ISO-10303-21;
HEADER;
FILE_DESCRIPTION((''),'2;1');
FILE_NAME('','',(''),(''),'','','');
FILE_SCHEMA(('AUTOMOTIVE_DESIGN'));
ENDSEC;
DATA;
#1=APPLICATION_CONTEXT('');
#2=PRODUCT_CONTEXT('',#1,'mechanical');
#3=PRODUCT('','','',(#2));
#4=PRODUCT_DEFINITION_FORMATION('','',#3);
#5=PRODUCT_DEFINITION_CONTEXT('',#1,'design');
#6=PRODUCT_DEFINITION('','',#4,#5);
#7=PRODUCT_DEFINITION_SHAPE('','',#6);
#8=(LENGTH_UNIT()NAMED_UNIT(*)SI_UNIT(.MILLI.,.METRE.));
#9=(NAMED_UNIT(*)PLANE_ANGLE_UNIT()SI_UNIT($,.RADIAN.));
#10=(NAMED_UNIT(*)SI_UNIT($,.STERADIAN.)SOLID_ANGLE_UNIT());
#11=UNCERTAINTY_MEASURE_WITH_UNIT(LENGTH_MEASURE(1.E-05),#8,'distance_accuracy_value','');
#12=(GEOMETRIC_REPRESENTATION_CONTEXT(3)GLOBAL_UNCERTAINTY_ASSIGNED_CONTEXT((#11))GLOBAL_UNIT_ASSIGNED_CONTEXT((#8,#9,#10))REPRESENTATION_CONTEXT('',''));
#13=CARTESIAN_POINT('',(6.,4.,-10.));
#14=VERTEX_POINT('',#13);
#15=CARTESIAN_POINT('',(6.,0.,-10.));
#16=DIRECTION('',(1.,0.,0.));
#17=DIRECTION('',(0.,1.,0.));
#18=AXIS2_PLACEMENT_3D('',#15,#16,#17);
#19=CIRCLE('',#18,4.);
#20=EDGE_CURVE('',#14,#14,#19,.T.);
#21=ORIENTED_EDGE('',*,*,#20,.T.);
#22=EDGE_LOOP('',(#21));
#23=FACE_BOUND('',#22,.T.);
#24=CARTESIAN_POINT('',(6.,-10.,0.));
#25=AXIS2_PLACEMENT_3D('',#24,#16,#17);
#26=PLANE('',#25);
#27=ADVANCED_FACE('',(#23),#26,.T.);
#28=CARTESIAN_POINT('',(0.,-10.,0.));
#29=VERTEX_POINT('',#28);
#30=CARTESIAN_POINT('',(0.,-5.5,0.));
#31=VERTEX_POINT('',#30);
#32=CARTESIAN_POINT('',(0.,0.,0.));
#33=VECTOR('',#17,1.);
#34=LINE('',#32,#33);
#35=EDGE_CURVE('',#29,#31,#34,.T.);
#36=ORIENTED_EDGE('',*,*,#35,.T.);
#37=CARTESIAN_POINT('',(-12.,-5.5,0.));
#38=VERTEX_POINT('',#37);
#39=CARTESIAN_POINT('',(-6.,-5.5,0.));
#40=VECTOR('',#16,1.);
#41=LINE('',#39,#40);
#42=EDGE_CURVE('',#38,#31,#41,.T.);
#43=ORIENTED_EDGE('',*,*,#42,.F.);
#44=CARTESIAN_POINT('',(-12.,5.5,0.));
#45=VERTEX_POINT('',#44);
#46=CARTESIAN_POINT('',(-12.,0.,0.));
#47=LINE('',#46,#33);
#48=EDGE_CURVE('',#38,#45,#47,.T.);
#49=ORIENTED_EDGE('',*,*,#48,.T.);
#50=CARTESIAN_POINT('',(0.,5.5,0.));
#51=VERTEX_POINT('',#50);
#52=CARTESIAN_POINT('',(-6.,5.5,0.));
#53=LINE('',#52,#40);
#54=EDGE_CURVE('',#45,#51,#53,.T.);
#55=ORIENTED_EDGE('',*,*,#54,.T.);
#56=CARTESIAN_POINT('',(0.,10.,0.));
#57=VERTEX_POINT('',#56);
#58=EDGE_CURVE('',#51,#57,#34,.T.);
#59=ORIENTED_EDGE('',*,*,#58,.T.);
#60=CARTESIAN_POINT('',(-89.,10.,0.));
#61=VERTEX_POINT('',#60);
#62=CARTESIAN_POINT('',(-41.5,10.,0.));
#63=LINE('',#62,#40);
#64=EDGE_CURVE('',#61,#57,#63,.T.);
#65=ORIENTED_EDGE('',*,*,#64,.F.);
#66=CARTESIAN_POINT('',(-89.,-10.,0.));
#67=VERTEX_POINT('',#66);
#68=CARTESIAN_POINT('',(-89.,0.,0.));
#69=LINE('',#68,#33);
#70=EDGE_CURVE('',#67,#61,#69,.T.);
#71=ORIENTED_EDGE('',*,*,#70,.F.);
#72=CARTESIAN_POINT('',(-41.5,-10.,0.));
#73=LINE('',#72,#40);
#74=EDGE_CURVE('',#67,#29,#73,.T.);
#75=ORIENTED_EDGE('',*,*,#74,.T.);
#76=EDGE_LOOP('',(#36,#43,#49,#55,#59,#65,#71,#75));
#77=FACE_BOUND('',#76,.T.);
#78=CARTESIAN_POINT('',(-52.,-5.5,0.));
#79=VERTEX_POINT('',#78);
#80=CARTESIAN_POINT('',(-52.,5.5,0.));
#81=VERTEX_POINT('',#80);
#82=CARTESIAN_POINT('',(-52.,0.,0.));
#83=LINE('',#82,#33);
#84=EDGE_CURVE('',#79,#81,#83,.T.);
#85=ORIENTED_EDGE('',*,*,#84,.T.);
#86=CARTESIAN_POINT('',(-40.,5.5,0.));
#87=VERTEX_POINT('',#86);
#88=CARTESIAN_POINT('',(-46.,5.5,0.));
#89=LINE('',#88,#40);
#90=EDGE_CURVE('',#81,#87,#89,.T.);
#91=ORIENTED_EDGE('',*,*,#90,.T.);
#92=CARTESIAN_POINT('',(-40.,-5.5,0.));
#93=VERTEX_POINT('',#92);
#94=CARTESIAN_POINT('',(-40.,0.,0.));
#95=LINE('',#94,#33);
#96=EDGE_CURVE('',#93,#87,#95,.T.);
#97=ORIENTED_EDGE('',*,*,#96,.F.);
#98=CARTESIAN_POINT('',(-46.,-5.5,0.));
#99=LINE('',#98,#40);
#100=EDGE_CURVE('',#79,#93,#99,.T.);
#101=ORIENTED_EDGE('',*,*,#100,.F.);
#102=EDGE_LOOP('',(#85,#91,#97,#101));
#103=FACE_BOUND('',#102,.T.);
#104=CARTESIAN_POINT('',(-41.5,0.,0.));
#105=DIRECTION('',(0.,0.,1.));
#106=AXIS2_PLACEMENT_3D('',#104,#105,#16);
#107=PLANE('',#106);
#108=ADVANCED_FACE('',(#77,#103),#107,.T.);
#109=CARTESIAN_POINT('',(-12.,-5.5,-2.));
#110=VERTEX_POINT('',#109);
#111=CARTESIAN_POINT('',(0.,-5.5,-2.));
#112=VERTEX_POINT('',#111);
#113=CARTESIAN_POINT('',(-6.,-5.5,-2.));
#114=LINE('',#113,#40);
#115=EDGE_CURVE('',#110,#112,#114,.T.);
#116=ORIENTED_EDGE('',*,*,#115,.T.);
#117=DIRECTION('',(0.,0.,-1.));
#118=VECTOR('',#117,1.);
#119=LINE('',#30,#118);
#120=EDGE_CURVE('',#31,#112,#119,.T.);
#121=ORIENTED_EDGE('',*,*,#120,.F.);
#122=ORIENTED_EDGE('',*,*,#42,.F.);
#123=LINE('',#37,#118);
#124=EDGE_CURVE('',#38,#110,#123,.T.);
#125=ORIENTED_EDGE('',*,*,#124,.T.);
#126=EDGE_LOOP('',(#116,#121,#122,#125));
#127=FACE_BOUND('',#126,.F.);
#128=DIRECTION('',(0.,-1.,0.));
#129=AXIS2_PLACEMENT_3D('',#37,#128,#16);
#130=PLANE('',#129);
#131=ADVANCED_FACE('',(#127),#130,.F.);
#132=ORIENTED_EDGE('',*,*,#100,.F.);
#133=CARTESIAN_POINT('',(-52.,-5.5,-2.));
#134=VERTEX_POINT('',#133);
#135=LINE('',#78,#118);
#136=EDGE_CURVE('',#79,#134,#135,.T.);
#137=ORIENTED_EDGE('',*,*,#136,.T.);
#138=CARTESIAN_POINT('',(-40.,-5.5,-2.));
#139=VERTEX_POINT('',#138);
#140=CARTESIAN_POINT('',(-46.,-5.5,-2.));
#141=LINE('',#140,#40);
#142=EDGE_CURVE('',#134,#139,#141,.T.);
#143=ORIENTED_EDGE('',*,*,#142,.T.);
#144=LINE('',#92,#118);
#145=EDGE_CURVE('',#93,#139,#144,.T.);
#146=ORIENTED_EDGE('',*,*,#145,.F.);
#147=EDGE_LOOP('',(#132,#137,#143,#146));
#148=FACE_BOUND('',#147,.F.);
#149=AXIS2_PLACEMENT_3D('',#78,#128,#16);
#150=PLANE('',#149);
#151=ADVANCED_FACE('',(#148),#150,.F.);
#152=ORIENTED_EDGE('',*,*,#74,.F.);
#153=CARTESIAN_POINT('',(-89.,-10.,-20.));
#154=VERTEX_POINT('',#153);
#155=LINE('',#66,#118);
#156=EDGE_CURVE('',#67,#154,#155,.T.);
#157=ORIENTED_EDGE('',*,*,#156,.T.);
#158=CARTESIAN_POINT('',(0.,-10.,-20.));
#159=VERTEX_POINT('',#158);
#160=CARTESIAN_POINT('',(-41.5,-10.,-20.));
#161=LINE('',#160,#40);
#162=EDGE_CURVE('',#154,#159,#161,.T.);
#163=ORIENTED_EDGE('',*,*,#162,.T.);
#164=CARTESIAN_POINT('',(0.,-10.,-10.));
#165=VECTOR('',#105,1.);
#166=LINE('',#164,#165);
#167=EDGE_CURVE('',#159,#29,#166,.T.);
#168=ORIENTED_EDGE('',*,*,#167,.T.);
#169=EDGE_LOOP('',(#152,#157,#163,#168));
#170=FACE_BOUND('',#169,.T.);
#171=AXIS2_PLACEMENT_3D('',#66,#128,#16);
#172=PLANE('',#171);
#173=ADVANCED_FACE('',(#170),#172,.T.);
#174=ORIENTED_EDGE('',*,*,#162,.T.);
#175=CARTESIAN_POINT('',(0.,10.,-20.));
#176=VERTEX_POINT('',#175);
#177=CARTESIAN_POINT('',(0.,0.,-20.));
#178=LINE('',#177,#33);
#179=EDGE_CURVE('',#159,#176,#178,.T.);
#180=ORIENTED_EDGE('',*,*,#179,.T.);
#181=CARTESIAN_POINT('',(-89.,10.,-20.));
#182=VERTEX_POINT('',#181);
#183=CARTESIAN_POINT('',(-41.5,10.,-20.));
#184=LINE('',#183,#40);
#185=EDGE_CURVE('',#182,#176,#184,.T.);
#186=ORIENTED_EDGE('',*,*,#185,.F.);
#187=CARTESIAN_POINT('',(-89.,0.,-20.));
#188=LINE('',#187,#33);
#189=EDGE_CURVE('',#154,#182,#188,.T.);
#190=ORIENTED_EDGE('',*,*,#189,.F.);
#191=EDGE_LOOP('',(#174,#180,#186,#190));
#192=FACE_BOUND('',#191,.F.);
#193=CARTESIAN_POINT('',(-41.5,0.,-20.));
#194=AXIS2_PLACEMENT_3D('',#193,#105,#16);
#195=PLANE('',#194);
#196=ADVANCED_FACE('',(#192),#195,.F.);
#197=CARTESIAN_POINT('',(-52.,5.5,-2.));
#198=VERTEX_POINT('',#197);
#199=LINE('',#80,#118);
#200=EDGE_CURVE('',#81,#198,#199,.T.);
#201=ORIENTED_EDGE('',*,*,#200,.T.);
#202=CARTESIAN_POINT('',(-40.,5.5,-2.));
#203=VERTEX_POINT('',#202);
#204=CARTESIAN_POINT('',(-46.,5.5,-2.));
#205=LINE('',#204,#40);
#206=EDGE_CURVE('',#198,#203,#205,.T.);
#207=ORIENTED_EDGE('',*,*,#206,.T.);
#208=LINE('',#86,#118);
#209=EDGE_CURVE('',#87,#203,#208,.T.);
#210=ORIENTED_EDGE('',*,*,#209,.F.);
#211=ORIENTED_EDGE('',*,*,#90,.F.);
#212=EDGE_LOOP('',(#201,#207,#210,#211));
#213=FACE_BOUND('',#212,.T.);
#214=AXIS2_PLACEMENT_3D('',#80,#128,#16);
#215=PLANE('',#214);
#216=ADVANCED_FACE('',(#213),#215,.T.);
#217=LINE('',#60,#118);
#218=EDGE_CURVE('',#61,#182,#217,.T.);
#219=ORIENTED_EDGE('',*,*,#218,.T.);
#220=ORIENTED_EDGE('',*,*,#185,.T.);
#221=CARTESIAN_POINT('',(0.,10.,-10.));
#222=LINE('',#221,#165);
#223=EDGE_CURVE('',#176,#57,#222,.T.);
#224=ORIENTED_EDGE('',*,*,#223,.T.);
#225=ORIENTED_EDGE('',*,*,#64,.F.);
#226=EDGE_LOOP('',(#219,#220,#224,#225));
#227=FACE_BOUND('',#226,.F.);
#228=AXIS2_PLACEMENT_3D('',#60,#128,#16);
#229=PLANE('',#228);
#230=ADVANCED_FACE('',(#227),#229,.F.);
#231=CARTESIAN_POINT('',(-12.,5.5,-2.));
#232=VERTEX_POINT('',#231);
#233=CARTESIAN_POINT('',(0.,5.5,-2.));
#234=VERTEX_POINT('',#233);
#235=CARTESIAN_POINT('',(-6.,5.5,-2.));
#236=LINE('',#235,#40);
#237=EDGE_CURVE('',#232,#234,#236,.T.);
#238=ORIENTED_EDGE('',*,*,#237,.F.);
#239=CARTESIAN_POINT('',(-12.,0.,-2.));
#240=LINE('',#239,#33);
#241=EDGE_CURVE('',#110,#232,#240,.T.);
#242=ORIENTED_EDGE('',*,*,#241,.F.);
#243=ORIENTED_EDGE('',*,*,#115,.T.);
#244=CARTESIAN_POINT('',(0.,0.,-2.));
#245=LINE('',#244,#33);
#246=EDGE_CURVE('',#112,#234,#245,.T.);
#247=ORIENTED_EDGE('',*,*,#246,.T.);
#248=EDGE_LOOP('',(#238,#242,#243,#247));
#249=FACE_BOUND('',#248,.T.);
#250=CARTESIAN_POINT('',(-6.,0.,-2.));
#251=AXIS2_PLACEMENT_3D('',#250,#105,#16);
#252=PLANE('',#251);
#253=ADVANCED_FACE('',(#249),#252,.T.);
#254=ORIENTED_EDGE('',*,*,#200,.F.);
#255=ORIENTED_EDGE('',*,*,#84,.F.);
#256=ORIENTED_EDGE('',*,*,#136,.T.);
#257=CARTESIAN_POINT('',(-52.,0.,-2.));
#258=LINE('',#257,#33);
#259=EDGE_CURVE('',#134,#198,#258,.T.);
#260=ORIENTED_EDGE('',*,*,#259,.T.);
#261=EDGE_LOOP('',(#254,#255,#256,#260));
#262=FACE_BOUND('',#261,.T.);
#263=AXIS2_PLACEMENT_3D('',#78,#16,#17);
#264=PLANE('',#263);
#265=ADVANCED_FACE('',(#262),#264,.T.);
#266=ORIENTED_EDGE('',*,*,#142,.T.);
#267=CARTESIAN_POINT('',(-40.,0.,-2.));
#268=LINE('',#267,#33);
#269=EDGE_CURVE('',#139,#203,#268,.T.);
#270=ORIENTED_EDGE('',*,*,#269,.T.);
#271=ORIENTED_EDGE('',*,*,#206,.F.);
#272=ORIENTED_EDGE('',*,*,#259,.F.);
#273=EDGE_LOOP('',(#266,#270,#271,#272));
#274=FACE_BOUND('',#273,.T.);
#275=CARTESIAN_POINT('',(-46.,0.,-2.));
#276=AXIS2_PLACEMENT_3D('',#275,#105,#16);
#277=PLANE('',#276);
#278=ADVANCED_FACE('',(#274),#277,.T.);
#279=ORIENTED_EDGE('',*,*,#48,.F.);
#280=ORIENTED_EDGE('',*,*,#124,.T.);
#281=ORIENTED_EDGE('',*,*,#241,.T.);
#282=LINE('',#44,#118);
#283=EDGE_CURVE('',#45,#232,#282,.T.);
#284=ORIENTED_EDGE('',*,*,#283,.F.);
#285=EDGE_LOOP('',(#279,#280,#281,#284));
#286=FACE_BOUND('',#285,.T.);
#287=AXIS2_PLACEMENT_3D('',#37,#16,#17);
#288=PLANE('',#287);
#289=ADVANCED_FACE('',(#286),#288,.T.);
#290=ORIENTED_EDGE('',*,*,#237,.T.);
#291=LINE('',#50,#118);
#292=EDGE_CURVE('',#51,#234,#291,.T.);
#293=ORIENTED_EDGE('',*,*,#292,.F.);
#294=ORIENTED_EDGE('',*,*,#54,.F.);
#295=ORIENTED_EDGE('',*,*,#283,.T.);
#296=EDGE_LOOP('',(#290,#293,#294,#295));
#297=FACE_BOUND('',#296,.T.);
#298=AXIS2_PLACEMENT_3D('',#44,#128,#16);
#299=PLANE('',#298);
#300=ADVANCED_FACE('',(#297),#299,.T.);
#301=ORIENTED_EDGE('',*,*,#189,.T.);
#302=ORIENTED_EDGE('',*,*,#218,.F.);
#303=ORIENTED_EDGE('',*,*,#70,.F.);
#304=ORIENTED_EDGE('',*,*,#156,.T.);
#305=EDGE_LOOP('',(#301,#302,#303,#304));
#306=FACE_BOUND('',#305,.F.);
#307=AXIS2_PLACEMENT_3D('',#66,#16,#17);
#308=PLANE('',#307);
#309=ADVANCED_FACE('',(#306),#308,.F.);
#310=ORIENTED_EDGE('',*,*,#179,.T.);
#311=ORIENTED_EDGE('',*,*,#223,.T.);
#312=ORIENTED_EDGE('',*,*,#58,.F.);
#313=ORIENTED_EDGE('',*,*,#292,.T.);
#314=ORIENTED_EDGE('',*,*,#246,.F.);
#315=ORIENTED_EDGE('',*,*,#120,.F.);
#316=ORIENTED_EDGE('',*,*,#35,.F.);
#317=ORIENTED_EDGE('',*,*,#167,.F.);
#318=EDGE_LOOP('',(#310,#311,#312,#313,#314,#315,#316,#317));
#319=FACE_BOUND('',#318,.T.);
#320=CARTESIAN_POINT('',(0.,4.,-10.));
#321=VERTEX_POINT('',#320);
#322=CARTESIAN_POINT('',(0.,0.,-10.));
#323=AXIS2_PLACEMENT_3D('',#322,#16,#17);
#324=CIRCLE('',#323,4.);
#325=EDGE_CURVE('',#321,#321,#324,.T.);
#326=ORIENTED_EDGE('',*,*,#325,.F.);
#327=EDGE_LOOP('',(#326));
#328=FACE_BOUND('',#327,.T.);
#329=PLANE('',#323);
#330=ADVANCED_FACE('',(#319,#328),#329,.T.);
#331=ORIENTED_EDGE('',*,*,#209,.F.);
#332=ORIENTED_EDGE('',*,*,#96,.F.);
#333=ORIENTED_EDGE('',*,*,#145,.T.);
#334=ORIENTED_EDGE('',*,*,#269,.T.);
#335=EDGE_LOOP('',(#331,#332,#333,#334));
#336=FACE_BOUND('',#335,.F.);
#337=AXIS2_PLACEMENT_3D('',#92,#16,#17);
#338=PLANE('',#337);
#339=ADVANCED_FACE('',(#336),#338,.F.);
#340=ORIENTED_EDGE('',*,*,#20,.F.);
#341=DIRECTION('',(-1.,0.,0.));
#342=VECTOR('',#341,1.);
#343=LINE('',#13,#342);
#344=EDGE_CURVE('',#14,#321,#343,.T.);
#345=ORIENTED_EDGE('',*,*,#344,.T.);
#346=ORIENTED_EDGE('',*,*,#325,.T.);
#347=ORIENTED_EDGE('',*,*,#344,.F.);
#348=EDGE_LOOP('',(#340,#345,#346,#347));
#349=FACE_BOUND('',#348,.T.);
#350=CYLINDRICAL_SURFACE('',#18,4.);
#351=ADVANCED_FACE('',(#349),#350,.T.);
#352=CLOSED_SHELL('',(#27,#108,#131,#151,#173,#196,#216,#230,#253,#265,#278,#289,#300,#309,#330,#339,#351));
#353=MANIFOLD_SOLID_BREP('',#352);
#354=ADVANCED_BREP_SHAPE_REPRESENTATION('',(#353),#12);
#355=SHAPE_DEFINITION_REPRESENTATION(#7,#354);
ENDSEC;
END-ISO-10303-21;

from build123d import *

# Parameters (mm, degrees)
SKETCH_W                 = 95
SKETCH_H                 = 20
PAD_DEPTH                = 20
SKETCH001_W              = 20
SKETCH001_H              = 20
SKETCH001_R              = 4
POCKET_DEPTH             = 6
SKETCH003_W              = 12
SKETCH003_H              = 11
POCKET001_DEPTH          = 2
CLONE_PLACEMENT_ANGLE    = 270
CLONE001_PLACEMENT_ANGLE = 90


with BuildPart() as part:
    # Sketch → Pad (new body)
    with BuildSketch(Plane.XY):
        Rectangle(SKETCH_W, SKETCH_H)
    extrude(amount=-PAD_DEPTH)

    # Sketch001 (on Face2 of Pad) → Pocket (cut)
    with BuildSketch(Plane.YZ.offset(47.5)):
        with Locations((0, -10)):
            Rectangle(SKETCH001_W, SKETCH001_H)
        with Locations((0, -10)):
            Circle(SKETCH001_R, mode=Mode.SUBTRACT)
    extrude(amount=-POCKET_DEPTH, mode=Mode.SUBTRACT)

    # Sketch003 (on Face2 of Pocket) → Pocket001 (cut)
    with BuildSketch(Plane.XY):
        with Locations((35.5, 0)):
            Rectangle(SKETCH003_W, SKETCH003_H)
        with Locations((-4.5, 0)):
            Rectangle(SKETCH003_W, SKETCH003_H)
    extrude(amount=-POCKET001_DEPTH, mode=Mode.SUBTRACT)


with BuildPart() as part_1:
    # Clone placement: moved
    add(part.part.moved(Location((-10, 0, -47.5))).rotate(Axis((-10, 0, -47.5), (0, 1, 0)), CLONE_PLACEMENT_ANGLE))


with BuildPart() as part_2:
    # Clone001 placement: moved
    add(part_1.part.moved(Location((6, 0, -10))).rotate(Axis((6, 0, -10), (0, 1, 0)), CLONE001_PLACEMENT_ANGLE))


solid = part_2.part
